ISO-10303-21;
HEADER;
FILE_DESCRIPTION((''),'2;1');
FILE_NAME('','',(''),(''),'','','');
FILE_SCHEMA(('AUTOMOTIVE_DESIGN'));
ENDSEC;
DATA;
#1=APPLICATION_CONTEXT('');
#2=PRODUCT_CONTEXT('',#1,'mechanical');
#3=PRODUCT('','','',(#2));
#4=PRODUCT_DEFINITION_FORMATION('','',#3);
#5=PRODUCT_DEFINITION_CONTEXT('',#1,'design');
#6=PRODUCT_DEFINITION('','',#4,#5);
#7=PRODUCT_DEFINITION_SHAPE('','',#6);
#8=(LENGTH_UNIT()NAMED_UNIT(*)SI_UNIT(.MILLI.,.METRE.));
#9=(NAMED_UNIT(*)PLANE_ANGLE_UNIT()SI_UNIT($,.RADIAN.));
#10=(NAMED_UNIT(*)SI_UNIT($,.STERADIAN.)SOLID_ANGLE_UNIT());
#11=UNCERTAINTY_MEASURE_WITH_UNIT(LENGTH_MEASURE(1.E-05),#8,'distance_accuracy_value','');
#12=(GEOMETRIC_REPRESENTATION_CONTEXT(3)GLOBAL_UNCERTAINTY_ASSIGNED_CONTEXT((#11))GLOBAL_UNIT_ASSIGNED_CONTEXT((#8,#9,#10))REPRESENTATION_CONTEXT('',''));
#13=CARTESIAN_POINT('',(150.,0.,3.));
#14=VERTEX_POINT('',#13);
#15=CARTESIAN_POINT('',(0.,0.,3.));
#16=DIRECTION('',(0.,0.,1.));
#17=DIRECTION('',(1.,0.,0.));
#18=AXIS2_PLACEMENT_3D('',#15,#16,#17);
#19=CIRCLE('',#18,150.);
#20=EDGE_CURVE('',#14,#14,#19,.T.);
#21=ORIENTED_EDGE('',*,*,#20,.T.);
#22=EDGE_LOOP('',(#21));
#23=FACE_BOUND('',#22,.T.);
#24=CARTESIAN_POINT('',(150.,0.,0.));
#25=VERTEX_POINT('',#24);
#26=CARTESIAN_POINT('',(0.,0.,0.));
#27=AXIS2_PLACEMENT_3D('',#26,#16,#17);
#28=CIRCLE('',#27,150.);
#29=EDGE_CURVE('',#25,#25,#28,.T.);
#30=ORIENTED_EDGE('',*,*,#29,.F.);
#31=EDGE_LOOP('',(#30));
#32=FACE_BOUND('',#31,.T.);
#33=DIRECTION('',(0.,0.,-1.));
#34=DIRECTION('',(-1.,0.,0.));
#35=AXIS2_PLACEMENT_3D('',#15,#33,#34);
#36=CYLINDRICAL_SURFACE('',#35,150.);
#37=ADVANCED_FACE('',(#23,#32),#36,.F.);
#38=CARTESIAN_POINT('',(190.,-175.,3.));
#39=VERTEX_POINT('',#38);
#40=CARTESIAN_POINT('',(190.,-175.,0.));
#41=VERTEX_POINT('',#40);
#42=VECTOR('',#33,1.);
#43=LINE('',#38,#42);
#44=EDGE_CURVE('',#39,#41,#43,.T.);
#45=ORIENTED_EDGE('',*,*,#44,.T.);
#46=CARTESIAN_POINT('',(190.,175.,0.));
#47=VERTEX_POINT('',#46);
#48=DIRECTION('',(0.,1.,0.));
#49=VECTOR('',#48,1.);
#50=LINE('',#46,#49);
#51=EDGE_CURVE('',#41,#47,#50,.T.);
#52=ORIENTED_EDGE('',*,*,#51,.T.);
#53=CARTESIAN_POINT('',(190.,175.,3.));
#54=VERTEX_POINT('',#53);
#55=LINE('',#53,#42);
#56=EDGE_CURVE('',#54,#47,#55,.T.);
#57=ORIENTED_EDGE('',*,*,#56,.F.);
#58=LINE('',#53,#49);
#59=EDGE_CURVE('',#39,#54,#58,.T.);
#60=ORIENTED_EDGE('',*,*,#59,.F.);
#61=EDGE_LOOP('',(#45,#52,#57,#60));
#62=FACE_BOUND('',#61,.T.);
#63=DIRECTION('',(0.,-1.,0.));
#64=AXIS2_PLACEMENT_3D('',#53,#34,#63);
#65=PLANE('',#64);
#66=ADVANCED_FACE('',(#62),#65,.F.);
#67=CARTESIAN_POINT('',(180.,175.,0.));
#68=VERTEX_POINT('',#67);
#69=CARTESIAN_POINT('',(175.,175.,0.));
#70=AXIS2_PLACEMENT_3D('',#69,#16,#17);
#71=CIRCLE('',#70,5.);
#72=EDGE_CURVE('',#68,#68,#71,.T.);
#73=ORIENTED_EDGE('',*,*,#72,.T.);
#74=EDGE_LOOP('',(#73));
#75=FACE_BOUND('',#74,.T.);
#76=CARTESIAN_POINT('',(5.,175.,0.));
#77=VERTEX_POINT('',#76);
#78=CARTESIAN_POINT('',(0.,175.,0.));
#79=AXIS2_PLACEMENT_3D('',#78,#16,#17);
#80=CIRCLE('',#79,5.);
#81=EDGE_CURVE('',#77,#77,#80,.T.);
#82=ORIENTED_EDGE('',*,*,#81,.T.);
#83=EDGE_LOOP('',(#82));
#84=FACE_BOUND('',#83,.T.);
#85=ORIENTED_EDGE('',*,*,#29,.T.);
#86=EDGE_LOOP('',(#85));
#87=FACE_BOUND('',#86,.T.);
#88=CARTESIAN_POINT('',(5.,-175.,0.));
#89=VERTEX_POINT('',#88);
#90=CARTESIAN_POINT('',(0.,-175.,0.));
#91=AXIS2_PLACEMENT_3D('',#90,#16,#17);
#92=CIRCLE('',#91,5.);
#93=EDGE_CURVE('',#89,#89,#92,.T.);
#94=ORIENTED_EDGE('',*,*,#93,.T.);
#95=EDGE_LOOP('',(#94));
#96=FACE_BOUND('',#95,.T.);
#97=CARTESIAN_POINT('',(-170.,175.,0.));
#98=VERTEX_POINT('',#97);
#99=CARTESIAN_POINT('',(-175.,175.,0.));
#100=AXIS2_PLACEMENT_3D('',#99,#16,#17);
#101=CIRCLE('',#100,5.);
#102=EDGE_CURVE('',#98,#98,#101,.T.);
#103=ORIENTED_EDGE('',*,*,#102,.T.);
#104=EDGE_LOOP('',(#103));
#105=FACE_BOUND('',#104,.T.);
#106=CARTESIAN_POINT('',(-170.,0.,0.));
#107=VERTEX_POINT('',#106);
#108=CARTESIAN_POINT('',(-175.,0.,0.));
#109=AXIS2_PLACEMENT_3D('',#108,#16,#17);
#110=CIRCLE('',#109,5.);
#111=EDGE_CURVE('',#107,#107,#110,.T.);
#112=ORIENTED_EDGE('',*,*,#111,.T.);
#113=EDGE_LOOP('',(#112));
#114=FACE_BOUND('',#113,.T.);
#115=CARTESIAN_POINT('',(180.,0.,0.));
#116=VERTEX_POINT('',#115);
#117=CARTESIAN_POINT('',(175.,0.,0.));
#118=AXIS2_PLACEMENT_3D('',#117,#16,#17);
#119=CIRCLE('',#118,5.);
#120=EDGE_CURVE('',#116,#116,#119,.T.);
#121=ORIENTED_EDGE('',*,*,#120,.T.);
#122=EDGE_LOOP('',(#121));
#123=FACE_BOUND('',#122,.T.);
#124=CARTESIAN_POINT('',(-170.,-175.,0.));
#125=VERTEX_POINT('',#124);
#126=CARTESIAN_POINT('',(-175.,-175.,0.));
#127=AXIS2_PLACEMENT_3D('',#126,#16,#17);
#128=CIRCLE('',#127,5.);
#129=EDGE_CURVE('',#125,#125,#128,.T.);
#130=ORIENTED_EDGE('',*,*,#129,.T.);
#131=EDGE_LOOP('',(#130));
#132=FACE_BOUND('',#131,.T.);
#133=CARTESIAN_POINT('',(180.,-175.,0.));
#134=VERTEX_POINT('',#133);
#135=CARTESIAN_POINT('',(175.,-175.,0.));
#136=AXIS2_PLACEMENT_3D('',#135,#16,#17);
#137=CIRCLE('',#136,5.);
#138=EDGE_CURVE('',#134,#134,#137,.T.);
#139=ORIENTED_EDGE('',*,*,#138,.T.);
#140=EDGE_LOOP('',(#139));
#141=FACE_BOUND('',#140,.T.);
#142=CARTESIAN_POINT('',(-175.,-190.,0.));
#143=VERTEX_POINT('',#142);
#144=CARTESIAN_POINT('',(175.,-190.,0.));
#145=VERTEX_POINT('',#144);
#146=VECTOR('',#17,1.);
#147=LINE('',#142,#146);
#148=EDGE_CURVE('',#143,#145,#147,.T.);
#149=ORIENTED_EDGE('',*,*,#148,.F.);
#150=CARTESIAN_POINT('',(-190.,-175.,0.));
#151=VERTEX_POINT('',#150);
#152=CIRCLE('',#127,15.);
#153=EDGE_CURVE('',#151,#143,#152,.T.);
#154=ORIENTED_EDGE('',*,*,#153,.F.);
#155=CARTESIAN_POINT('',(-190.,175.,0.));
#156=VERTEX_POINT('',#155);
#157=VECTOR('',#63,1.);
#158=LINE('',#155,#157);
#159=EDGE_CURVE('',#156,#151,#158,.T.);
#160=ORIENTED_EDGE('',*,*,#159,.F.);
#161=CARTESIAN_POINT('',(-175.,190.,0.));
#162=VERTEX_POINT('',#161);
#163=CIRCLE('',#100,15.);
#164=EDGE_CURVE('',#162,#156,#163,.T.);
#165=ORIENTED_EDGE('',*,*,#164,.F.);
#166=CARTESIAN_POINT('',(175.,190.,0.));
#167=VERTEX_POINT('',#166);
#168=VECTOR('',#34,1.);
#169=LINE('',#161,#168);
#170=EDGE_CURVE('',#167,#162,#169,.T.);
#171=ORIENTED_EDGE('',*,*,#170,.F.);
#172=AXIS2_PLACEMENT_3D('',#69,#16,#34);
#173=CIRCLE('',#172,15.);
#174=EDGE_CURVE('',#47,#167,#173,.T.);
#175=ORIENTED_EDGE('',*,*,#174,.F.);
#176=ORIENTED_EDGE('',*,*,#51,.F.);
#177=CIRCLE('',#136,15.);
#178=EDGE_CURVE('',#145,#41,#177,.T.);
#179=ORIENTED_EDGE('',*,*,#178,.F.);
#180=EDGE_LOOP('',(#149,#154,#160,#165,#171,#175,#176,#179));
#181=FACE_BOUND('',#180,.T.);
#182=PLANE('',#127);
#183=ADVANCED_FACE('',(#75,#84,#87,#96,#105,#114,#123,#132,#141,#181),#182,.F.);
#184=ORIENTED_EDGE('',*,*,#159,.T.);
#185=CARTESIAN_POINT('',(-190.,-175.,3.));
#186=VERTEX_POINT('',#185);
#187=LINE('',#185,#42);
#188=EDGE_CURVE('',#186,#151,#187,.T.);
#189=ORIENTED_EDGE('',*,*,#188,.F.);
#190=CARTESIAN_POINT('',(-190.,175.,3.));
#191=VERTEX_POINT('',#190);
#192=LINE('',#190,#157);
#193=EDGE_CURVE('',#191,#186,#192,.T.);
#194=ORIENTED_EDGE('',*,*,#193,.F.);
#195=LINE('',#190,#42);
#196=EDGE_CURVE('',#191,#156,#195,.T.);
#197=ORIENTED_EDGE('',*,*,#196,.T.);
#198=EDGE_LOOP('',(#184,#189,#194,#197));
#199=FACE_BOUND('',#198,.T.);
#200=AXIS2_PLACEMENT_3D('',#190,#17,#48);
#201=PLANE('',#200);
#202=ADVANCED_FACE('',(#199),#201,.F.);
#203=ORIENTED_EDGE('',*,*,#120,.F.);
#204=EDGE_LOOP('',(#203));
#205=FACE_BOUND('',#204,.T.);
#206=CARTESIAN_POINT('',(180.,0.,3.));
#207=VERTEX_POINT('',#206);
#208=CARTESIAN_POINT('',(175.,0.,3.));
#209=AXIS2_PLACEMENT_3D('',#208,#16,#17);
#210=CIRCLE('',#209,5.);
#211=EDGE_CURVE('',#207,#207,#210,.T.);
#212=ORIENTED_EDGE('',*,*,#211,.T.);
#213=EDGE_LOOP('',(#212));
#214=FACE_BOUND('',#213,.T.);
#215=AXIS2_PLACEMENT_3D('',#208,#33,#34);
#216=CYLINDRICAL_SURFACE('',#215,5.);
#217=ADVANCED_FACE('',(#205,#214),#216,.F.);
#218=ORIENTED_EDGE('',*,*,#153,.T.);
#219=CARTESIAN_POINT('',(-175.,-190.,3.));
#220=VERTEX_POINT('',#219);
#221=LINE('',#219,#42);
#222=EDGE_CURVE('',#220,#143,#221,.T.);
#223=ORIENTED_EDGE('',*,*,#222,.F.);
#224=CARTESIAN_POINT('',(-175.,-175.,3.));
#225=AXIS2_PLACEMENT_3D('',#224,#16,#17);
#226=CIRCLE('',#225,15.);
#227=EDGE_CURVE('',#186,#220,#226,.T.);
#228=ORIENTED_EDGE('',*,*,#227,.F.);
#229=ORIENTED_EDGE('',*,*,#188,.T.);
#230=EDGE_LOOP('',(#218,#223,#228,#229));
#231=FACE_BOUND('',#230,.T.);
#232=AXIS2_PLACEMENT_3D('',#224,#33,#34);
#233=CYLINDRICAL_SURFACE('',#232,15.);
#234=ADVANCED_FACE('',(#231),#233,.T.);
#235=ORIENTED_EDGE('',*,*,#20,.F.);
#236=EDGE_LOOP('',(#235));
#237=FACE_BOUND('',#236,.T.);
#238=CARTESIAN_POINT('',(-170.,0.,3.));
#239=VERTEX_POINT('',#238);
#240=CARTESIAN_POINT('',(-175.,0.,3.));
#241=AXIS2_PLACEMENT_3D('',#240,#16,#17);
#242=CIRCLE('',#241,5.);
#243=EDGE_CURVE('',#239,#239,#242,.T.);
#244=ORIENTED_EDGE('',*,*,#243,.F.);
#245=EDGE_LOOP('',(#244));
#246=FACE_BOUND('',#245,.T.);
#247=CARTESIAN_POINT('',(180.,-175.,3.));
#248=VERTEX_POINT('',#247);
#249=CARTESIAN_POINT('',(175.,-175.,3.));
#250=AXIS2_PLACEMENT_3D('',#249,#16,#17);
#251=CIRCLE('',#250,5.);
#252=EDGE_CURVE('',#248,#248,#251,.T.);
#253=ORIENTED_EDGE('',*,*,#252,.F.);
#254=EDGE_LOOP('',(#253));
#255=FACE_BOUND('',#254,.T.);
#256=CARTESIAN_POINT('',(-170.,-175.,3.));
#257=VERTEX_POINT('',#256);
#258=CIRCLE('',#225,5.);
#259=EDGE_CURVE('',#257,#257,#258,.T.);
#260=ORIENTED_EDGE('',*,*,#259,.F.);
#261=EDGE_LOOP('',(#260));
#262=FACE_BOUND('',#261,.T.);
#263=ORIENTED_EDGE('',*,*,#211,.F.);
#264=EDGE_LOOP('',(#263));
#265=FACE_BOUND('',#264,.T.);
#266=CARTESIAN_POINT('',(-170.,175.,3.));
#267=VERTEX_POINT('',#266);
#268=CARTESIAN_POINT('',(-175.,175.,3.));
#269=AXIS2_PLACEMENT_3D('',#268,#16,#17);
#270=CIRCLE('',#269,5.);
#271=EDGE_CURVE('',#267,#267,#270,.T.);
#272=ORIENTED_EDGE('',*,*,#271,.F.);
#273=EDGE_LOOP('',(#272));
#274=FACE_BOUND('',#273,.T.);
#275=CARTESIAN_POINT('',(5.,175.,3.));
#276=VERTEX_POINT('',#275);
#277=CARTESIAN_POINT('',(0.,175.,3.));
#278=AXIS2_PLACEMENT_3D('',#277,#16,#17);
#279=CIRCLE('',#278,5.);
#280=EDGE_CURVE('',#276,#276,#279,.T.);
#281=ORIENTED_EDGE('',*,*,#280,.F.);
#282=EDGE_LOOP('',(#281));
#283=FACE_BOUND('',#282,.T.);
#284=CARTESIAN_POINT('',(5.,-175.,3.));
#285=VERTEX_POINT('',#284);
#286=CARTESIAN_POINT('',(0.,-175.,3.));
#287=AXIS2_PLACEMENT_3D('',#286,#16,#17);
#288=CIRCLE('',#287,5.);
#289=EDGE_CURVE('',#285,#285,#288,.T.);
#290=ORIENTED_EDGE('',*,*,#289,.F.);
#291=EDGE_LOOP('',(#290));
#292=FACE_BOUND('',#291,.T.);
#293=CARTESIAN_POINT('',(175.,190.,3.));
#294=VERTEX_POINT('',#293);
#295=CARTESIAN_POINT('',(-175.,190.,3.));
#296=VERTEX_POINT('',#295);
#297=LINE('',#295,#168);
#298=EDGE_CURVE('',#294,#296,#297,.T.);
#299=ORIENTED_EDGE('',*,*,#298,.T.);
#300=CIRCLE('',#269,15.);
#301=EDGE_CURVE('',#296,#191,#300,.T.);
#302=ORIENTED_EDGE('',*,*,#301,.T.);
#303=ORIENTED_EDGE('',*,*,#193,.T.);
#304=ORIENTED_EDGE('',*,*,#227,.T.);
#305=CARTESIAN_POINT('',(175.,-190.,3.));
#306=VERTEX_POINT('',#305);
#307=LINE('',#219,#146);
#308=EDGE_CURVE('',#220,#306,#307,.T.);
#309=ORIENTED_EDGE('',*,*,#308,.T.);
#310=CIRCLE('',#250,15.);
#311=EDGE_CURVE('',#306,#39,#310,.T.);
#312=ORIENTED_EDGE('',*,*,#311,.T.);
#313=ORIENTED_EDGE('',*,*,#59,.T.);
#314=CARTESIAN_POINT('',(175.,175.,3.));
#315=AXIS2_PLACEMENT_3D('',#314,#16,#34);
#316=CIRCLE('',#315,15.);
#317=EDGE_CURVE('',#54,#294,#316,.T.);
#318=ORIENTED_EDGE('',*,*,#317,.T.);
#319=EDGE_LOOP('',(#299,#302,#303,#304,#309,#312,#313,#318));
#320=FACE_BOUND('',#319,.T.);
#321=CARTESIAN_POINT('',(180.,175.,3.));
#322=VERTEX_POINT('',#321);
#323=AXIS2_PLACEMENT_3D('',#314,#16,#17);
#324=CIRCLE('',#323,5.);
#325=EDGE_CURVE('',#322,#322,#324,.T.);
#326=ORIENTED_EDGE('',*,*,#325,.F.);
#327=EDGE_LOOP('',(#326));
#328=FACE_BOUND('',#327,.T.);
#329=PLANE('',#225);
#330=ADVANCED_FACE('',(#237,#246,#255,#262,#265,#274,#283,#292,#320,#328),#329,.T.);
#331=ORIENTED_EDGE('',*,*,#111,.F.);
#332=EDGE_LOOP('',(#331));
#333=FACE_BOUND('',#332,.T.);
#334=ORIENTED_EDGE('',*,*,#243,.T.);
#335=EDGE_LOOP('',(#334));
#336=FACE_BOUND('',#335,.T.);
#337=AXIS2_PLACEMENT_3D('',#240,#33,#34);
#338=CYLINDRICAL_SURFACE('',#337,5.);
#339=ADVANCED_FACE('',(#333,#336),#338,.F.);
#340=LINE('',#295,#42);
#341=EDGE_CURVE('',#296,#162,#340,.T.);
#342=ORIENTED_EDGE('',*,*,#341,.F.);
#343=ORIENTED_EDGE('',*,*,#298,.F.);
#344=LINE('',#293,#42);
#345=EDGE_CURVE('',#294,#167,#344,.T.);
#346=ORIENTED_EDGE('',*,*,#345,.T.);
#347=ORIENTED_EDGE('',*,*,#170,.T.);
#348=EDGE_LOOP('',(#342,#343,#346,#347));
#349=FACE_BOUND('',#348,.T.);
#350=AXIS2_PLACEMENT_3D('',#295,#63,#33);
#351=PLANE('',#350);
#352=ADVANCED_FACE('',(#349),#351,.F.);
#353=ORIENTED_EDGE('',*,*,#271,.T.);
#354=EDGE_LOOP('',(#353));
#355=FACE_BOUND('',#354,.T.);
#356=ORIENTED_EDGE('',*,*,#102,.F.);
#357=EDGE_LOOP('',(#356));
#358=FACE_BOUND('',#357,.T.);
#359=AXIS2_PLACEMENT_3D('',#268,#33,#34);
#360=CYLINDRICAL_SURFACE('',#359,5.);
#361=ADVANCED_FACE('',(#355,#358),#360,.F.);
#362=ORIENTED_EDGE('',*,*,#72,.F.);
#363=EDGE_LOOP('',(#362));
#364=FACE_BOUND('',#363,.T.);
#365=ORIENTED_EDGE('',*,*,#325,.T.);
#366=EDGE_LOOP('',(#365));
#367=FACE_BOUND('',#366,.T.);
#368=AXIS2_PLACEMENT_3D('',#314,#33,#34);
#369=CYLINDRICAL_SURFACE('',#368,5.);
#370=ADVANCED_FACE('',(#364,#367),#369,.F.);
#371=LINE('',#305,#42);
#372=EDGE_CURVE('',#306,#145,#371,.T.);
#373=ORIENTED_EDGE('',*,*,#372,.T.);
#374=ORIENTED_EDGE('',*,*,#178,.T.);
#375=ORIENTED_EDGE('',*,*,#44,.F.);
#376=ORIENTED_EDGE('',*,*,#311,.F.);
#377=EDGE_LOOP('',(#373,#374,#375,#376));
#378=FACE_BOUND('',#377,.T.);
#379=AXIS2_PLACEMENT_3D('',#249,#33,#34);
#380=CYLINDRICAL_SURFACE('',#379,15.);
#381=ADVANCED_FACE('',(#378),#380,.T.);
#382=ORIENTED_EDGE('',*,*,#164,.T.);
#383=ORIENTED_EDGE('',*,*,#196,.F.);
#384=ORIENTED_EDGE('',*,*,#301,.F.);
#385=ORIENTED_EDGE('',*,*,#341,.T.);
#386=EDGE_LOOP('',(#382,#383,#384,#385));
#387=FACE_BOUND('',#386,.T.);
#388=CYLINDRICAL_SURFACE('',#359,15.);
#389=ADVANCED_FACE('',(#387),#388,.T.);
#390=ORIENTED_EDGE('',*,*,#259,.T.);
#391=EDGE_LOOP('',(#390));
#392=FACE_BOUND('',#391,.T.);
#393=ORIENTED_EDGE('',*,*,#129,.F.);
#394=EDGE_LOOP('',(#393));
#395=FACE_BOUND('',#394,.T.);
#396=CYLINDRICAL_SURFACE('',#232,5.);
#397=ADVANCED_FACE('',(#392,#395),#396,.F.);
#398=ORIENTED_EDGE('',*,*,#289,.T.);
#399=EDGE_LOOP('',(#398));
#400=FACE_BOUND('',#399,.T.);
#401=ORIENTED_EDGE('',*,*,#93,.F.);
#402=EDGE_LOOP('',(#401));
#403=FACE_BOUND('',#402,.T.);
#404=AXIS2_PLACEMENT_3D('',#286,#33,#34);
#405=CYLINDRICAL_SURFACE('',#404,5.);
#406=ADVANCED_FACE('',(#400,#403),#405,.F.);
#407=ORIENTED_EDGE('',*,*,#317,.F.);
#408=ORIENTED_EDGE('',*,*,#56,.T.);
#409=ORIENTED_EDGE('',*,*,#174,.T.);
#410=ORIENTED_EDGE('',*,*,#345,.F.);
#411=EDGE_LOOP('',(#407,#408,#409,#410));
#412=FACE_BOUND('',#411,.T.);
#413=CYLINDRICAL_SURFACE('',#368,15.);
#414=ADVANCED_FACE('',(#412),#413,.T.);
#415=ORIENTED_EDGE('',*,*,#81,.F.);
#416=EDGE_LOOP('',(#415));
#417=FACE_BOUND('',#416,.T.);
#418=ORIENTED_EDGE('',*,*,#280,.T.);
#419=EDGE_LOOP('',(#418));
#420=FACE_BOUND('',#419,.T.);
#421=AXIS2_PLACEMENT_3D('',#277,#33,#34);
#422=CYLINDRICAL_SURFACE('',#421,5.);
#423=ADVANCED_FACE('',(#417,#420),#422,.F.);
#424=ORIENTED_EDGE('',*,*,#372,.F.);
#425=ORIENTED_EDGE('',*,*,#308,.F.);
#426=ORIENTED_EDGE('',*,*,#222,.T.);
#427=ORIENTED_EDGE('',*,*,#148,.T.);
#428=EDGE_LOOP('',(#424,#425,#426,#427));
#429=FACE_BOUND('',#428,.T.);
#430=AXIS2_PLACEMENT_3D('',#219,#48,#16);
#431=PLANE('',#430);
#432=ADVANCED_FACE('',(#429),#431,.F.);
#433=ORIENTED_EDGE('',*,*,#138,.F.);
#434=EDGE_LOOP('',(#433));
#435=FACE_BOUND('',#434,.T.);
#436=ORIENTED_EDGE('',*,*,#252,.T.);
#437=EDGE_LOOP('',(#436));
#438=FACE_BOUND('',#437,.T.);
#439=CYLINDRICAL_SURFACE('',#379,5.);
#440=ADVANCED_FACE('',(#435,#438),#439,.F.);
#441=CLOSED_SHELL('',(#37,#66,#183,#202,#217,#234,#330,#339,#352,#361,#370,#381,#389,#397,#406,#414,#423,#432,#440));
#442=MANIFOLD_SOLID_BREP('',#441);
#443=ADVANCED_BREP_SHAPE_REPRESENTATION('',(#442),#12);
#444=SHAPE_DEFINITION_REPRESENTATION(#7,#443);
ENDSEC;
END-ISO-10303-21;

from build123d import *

# Parameters (mm, degrees)
SKETCH2_R           = 5
SKETCH2_R_2         = 150
BOSS_EXTRUDE1_DEPTH = 3


with BuildPart() as part:
    # Sketch2 → Boss-Extrude1 (new body)
    with BuildSketch(Plane.XY):
        with BuildLine():
            Line((-175, 190), (175, 190))
            ThreePointArc((175, 190), (185.606601718, 185.606601718), (190, 175))
            Line((190, 175), (190, -175))
            ThreePointArc((190, -175), (185.606601718, -185.606601718), (175, -190))
            Line((175, -190), (-175, -190))
            ThreePointArc((-175, -190), (-185.606601718, -185.606601718), (-190, -175))
            Line((-190, -175), (-190, 175))
            ThreePointArc((-190, 175), (-185.606601718, 185.606601718), (-175, 190))
        make_face()
        with Locations((-175, 175)):
            Circle(SKETCH2_R, mode=Mode.SUBTRACT)
        with Locations((0, 175)):
            Circle(SKETCH2_R, mode=Mode.SUBTRACT)
        with Locations((175, 175)):
            Circle(SKETCH2_R, mode=Mode.SUBTRACT)
        with Locations((175, 0)):
            Circle(SKETCH2_R, mode=Mode.SUBTRACT)
        with Locations((-175, 0)):
            Circle(SKETCH2_R, mode=Mode.SUBTRACT)
        with Locations((-175, -175)):
            Circle(SKETCH2_R, mode=Mode.SUBTRACT)
        with Locations((0, -175)):
            Circle(SKETCH2_R, mode=Mode.SUBTRACT)
        with Locations((175, -175)):
            Circle(SKETCH2_R, mode=Mode.SUBTRACT)
        Circle(SKETCH2_R_2, mode=Mode.SUBTRACT)
    extrude(amount=BOSS_EXTRUDE1_DEPTH)


solid = part.part
